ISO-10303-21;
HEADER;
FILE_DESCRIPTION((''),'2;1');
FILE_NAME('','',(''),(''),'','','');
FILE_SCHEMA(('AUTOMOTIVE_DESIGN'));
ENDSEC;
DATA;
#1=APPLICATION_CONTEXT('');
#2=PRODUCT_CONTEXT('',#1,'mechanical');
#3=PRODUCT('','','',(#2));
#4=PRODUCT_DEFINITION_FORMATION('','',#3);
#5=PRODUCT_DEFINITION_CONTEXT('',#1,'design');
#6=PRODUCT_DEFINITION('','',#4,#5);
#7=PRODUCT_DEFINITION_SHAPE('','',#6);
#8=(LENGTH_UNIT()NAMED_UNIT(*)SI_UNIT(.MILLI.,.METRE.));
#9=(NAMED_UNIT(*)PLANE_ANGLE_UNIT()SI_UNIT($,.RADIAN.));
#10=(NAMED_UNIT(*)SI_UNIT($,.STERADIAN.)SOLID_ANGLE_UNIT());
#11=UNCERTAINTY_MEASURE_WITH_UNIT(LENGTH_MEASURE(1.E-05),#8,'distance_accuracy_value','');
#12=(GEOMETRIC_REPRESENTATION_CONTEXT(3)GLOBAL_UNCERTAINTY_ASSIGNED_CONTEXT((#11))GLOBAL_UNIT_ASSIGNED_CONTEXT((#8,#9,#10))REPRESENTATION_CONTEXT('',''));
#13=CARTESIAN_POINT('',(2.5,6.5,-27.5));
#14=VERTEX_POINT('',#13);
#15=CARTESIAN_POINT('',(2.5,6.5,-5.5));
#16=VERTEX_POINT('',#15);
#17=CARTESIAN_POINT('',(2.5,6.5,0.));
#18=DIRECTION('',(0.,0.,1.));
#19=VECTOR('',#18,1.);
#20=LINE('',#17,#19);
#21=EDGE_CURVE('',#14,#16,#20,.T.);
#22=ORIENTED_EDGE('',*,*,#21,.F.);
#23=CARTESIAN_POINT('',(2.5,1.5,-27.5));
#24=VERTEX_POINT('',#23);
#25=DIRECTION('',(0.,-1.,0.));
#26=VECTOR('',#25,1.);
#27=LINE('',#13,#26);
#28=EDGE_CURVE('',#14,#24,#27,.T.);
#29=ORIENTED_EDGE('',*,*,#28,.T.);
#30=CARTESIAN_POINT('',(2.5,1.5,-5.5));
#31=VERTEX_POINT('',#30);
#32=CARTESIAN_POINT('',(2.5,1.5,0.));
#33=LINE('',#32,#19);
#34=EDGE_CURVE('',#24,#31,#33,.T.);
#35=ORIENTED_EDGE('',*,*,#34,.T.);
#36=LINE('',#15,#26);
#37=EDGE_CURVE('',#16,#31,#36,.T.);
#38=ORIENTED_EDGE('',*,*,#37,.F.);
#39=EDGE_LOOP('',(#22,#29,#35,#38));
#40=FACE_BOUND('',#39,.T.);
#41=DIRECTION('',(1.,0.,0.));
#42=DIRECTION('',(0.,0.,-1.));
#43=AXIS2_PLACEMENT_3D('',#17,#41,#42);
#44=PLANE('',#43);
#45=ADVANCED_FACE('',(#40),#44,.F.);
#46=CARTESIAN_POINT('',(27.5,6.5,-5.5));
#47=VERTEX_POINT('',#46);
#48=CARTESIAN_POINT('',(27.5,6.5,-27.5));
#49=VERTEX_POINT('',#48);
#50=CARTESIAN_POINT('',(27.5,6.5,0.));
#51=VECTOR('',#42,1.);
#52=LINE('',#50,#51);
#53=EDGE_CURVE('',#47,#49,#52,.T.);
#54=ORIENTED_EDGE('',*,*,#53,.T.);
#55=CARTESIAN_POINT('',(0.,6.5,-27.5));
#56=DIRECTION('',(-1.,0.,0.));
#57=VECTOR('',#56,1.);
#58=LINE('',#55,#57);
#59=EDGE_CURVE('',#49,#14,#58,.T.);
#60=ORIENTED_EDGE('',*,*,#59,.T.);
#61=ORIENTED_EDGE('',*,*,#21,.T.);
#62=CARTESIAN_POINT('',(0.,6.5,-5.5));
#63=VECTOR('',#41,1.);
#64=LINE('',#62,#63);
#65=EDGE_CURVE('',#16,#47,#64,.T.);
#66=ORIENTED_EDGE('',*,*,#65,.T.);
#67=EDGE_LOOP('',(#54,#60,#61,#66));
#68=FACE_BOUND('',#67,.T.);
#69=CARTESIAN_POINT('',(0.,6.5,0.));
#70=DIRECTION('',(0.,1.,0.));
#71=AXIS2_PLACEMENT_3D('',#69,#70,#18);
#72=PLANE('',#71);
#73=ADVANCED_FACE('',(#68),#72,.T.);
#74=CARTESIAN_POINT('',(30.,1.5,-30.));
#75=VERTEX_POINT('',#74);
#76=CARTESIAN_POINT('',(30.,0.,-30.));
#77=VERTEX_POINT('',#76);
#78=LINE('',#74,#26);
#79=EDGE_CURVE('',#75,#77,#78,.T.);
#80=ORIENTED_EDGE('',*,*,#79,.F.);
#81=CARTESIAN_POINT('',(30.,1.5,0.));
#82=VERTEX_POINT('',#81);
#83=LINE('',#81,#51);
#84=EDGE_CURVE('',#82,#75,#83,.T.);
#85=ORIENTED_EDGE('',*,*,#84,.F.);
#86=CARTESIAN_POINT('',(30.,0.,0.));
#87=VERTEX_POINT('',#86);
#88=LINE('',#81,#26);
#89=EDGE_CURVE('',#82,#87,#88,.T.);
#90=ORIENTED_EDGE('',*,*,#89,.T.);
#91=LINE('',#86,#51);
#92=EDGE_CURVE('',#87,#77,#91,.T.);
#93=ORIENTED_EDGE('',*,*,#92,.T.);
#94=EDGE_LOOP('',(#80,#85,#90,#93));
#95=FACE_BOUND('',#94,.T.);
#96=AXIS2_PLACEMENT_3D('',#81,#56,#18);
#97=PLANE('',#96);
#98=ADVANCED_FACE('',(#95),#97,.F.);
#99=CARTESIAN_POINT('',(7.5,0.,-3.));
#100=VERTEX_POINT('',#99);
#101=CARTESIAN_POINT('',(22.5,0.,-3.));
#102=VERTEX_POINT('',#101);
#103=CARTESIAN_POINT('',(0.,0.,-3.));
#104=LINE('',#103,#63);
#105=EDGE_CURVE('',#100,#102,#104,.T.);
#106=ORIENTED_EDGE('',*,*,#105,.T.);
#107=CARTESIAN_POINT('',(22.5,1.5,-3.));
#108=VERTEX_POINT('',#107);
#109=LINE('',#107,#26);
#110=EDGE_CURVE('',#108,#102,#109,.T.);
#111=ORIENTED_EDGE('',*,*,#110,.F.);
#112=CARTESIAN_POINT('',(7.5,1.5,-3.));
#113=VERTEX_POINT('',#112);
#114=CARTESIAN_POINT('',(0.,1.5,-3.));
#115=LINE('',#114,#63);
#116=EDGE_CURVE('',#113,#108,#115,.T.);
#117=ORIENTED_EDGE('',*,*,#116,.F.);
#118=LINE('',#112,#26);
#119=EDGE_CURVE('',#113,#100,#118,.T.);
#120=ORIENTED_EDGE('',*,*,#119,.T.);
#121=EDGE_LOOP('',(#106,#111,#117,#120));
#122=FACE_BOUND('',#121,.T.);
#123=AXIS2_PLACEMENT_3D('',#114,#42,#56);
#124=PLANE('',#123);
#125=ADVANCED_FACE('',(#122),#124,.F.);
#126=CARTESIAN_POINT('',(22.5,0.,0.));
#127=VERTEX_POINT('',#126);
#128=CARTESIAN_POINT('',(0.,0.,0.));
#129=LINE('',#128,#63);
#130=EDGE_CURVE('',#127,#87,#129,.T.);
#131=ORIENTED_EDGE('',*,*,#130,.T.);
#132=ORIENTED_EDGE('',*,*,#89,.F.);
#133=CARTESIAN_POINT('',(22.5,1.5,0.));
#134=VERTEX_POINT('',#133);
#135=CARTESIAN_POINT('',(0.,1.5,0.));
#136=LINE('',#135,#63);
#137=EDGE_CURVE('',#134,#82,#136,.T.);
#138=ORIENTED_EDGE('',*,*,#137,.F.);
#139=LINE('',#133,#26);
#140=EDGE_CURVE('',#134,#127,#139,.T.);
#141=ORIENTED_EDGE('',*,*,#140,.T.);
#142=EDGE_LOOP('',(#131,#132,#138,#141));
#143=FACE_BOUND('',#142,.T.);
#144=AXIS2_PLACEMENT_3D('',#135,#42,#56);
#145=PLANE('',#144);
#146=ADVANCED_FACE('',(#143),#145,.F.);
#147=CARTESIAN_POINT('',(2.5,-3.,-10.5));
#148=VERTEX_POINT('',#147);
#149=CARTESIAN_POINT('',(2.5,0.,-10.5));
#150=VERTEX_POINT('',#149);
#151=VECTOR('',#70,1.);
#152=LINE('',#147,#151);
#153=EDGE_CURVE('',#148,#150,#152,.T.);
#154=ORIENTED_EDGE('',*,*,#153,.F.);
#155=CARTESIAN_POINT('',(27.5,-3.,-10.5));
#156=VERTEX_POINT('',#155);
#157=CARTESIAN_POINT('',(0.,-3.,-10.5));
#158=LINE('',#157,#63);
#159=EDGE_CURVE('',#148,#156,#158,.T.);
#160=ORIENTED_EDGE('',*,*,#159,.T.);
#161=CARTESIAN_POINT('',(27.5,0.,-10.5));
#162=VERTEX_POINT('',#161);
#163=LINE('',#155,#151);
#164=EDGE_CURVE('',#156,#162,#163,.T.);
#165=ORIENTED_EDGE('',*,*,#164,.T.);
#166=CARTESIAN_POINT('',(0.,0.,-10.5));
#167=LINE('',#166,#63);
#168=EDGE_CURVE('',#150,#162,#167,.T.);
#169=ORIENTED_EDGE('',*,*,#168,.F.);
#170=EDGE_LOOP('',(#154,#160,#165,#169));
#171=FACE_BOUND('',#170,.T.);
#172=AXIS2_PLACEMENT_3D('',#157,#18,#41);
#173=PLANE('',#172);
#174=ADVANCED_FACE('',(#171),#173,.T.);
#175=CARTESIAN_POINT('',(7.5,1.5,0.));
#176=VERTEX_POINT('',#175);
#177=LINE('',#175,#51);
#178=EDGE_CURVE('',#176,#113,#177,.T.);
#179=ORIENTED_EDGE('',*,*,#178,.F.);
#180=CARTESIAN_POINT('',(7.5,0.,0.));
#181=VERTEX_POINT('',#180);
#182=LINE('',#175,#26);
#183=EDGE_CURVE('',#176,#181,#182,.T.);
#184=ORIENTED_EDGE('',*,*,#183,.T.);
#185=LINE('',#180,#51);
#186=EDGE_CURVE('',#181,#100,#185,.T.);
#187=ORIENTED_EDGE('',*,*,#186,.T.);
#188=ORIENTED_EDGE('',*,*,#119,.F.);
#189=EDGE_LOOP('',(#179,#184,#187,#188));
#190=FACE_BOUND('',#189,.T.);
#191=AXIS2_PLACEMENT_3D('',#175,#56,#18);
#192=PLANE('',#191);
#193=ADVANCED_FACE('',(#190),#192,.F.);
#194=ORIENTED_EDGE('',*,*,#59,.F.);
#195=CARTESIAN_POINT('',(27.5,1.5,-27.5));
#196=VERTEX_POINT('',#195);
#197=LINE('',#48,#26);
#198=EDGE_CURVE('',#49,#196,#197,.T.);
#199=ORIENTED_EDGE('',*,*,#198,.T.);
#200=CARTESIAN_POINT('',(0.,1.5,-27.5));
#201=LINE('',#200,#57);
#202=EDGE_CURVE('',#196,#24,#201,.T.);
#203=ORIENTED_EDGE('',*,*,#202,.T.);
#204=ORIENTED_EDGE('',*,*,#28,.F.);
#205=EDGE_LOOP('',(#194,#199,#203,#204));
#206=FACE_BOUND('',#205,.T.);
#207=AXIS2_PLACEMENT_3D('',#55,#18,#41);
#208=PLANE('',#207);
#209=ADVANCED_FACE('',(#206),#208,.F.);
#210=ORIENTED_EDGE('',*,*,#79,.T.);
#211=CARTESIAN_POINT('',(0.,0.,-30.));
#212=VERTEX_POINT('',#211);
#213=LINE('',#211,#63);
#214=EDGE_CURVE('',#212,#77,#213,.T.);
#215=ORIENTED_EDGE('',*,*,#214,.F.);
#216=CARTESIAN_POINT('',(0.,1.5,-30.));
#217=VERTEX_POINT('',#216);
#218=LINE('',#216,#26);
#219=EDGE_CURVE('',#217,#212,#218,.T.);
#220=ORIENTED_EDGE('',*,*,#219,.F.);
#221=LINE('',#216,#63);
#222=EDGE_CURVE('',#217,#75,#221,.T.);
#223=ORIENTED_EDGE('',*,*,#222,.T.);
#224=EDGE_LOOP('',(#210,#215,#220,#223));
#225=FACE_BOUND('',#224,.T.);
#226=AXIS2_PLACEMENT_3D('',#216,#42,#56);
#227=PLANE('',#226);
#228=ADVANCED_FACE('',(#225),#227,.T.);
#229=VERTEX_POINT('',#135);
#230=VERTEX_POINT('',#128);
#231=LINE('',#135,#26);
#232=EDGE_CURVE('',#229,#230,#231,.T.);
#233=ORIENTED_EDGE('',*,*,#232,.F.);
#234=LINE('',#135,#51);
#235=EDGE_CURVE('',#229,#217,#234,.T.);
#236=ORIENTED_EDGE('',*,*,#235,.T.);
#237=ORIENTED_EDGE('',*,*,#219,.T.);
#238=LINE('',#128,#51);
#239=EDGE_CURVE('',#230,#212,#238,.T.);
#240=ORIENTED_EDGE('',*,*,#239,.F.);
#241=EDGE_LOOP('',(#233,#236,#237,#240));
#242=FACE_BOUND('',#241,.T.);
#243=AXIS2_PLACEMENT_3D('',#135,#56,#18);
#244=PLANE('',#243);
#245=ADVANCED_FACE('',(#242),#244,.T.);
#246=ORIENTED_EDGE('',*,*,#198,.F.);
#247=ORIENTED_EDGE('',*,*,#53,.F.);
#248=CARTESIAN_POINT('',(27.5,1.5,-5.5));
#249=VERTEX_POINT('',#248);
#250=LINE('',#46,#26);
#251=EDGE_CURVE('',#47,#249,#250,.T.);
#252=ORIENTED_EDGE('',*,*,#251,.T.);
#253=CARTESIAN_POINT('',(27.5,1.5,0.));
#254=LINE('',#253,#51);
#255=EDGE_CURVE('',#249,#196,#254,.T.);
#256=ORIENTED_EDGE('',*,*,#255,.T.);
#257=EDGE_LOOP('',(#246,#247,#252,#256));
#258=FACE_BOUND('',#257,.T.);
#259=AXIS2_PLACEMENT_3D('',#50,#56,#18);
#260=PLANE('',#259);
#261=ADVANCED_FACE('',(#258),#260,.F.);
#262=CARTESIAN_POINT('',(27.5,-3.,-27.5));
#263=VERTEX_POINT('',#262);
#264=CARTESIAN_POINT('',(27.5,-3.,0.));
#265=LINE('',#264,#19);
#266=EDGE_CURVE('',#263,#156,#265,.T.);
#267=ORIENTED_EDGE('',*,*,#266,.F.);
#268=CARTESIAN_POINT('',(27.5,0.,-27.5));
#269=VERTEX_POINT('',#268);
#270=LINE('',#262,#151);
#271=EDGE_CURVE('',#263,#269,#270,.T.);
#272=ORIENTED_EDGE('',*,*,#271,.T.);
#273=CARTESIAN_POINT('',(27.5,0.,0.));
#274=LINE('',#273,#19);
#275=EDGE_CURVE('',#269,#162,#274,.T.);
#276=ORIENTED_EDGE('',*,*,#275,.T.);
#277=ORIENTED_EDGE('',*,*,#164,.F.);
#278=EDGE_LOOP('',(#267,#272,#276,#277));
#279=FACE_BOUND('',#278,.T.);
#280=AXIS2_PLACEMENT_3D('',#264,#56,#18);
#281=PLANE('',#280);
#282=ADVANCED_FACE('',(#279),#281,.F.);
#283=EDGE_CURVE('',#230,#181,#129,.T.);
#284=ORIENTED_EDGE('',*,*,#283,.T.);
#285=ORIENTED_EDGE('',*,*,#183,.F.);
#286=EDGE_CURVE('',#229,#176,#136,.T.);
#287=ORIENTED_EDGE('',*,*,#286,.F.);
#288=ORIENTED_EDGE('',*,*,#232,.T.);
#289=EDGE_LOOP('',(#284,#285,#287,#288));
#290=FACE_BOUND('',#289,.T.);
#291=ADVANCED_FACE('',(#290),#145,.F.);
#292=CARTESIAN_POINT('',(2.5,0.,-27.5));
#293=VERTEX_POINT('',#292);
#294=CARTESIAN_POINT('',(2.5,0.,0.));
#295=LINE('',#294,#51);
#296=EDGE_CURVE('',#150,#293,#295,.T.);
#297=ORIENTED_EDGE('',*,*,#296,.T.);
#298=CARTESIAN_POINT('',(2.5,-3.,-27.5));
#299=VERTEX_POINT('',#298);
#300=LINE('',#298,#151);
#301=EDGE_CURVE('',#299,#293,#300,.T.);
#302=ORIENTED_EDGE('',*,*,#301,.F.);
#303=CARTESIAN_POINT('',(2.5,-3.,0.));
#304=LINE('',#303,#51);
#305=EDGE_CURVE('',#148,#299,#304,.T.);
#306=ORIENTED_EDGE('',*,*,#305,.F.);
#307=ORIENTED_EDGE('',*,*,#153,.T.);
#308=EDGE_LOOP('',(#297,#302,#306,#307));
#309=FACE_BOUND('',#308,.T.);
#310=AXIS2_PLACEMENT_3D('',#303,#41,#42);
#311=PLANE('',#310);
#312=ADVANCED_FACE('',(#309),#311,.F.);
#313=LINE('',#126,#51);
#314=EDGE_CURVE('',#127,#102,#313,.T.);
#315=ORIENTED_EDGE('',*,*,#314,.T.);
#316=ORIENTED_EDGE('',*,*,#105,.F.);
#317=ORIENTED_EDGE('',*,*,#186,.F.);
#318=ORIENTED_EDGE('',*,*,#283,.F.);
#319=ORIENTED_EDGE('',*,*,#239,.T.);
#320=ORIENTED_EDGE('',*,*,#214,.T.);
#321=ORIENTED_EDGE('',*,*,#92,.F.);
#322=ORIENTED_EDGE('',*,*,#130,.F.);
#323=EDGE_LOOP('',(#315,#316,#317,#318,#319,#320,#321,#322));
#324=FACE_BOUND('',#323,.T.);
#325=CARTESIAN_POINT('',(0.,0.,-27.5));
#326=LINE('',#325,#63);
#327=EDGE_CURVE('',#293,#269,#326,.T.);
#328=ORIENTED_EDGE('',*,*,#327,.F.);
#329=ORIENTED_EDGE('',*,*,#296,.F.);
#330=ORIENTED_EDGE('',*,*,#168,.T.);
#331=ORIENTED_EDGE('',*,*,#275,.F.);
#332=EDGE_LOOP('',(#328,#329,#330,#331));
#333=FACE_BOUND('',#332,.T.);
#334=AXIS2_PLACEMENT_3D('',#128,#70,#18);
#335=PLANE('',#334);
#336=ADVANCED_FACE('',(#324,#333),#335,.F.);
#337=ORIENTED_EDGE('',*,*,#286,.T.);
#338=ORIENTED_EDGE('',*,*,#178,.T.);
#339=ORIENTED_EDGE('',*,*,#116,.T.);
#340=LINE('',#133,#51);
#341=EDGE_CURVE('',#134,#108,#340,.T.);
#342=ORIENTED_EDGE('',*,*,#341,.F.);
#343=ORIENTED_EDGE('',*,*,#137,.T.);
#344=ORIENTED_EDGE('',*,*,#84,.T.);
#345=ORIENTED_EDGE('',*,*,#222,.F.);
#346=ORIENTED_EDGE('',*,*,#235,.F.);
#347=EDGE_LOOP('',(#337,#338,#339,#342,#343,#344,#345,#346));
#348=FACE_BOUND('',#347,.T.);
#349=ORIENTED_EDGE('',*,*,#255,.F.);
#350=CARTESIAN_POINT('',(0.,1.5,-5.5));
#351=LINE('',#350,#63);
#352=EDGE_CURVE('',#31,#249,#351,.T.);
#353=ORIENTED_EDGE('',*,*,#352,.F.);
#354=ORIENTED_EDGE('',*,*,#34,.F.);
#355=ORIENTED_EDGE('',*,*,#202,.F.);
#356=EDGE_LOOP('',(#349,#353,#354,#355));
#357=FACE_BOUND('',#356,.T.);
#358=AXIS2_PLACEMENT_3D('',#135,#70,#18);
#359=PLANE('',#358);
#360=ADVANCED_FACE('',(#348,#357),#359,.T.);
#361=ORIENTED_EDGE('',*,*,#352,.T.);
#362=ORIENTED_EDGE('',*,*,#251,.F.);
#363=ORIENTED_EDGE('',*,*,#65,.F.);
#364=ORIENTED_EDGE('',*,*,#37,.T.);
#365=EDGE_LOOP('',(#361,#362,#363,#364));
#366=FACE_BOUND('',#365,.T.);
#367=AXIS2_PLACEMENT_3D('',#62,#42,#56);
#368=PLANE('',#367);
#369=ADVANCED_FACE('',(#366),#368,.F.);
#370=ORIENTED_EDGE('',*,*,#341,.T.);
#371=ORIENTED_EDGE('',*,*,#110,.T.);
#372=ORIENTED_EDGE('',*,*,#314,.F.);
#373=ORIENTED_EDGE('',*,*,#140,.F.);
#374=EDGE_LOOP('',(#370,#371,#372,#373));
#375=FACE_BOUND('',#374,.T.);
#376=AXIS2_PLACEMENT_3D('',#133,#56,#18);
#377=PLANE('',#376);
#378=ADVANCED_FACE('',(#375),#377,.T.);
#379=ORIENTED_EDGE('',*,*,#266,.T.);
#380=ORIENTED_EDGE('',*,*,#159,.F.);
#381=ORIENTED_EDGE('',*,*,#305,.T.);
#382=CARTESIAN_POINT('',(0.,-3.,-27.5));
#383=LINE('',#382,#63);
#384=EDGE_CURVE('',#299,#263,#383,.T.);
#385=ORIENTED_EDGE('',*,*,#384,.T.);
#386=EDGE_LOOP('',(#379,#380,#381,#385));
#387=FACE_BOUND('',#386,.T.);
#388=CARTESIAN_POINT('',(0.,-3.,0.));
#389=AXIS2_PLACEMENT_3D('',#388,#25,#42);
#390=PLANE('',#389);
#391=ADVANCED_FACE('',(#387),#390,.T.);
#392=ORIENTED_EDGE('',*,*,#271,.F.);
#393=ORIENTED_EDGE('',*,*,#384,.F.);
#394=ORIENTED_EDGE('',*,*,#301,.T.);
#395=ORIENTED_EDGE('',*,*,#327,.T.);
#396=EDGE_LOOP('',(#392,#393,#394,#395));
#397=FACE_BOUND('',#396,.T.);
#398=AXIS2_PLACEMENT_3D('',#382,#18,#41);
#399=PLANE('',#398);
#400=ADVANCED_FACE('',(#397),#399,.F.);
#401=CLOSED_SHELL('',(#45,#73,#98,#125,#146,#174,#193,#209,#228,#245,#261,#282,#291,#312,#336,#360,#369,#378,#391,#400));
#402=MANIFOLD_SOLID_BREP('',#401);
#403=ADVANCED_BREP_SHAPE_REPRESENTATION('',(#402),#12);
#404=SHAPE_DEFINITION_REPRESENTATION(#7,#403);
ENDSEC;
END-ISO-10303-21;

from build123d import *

# Parameters (mm, degrees)
BOSS_EXTRUDE1_DEPTH = 1.5
BOSS_EXTRUDE2_DEPTH = 5
SKETCH3_W           = 25
SKETCH3_H           = 17
BOSS_EXTRUDE3_DEPTH = 3


with BuildPart() as part:
    # Sketch1 → Boss-Extrude1 (new body)
    with BuildSketch(Plane(origin=(0, 0, 0), x_dir=(1, 0, 0), z_dir=(0, 1, 0))):
        Polygon((0, 30), (0, 0), (7.5, 0), (7.5, 3), (22.5, 3), (22.5, 0), (30, 0), (30, 30), align=None)
    extrude(amount=BOSS_EXTRUDE1_DEPTH)

    # Sketch2 → Boss-Extrude2 (add)
    with BuildSketch(Plane(origin=(0, 1.5, 0), x_dir=(1, 0, 0), z_dir=(0, 1, 0))):
        Polygon((25, 5.5), (27.5, 5.5), (27.5, 27.5), (2.5, 27.5), (2.5, 5.5), (5, 5.5), align=None)
    extrude(amount=BOSS_EXTRUDE2_DEPTH)

    # Sketch3 → Boss-Extrude3 (add)
    with BuildSketch(Plane.XZ):
        with Locations((15, -19)):
            Rectangle(SKETCH3_W, SKETCH3_H)
    extrude(amount=BOSS_EXTRUDE3_DEPTH)


solid = part.part
